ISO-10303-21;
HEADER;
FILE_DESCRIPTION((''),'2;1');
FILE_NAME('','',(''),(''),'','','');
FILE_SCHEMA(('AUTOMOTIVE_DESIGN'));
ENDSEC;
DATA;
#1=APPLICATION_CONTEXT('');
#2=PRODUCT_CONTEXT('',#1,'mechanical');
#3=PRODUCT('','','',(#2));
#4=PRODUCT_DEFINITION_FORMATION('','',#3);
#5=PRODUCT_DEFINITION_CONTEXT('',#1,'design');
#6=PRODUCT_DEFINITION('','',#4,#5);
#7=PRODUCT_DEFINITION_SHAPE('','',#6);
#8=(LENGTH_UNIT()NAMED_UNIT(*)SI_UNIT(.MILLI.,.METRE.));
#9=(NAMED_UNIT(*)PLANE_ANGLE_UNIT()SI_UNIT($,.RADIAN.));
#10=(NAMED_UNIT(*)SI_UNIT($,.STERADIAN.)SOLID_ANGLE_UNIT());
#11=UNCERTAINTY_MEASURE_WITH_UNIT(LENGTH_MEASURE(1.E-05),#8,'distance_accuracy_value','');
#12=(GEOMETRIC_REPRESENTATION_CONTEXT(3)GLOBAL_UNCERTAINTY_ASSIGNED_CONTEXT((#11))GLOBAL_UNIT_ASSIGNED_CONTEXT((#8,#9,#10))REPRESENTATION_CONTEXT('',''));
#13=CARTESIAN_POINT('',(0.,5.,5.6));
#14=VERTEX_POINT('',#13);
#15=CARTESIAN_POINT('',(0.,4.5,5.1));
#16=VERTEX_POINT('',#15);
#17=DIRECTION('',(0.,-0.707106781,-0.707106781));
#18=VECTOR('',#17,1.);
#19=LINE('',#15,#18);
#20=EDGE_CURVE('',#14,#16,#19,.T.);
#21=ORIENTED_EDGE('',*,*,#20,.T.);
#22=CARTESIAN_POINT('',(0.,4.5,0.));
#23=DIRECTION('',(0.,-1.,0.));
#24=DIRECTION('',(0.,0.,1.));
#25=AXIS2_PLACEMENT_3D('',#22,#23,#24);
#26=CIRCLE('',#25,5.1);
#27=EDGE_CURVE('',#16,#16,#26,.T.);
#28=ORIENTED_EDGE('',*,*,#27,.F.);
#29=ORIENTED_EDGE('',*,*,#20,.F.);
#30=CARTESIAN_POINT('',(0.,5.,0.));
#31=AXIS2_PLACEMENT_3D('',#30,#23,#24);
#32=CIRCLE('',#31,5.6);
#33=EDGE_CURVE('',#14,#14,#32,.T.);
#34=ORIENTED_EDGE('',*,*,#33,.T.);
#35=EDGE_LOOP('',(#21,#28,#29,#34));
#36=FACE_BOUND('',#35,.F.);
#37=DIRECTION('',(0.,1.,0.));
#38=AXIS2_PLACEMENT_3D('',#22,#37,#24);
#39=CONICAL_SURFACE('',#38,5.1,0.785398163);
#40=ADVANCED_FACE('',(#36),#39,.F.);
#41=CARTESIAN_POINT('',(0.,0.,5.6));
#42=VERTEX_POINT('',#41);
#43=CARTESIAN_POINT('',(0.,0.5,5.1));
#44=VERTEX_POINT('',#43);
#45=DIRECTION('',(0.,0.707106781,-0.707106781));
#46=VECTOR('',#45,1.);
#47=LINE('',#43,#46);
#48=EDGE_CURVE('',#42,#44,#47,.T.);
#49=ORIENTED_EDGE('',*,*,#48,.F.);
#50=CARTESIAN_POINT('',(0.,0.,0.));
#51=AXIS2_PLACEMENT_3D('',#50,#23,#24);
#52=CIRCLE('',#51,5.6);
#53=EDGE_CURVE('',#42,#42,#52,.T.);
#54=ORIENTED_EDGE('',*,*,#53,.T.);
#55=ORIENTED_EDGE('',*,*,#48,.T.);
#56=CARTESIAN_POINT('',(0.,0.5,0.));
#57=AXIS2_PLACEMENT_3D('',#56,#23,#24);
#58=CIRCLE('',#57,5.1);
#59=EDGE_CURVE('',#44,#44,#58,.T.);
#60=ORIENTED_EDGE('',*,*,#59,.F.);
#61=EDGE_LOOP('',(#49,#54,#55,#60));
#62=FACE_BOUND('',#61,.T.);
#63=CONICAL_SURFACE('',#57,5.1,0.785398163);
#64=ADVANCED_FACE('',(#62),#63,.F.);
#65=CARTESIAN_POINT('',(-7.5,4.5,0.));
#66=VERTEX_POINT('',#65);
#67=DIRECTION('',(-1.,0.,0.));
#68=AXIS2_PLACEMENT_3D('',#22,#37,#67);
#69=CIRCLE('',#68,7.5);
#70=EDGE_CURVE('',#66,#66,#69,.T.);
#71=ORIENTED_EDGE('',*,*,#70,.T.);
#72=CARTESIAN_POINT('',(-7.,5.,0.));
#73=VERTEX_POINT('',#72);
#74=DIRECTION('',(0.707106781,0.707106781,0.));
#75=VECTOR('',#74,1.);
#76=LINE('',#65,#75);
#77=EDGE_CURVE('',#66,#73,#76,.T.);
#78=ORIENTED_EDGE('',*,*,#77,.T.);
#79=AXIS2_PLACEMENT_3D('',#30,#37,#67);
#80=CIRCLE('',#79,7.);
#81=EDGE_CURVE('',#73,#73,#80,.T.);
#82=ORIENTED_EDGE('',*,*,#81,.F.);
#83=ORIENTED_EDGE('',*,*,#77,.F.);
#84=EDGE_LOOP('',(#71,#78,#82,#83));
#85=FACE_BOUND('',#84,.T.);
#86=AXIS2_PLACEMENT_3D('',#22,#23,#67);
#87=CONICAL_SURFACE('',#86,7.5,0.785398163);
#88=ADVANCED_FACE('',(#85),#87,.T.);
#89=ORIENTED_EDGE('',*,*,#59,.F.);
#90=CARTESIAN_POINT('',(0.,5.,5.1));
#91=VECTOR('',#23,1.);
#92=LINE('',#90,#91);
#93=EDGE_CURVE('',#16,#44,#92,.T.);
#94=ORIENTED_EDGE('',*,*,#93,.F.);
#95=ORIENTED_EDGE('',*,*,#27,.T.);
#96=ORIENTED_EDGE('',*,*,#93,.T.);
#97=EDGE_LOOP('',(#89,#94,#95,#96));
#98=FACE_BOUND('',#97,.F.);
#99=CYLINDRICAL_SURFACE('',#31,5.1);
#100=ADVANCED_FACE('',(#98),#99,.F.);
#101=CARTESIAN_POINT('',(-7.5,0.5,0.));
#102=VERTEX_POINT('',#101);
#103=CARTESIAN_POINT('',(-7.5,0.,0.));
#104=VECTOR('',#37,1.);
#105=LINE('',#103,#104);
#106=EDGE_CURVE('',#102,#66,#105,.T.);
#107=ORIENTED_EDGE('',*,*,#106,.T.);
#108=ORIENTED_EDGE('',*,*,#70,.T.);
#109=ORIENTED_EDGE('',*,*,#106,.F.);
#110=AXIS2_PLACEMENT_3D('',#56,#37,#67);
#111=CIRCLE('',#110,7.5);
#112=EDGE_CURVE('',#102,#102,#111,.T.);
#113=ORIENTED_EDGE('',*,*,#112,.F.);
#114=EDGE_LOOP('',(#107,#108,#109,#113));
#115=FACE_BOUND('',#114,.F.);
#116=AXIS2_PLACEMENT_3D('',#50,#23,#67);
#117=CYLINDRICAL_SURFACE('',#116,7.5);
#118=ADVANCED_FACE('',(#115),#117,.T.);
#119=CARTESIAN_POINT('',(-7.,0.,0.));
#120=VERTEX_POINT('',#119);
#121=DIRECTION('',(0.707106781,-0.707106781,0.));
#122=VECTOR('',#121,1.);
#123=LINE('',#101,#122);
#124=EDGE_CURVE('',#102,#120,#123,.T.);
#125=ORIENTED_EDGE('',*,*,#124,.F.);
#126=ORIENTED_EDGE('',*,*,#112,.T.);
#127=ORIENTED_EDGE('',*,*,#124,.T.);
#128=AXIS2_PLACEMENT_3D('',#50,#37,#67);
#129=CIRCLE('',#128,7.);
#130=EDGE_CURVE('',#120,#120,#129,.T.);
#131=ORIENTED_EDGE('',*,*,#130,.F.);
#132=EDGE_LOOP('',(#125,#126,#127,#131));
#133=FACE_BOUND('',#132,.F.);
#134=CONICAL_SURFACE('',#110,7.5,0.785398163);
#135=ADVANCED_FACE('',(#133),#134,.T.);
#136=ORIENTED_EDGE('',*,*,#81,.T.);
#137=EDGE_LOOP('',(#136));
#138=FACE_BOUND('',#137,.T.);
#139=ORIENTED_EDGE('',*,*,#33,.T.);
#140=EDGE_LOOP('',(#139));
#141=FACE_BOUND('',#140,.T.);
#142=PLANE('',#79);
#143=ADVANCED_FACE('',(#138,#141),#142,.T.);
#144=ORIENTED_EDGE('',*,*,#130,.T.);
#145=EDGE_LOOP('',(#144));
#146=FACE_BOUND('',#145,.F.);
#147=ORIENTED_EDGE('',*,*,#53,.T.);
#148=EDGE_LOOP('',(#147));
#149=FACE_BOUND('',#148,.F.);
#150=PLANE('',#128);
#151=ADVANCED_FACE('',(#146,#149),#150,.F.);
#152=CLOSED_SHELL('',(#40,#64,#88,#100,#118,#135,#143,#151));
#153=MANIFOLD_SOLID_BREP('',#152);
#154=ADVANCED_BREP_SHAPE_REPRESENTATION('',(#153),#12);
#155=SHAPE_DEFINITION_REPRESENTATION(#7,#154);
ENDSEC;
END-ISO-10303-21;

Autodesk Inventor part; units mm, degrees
ref_plane "YZ Plane" through (0, 0, 0) normal (1, 0, 0) x (0, 1, 0)
ref_plane "XZ Plane" through (0, 0, 0) normal (0, 1, 0) x (-1, 0, 0)
ref_plane "XY Plane" through (0, 0, 0) normal (0, 0, 1) x (1, 0, 0)
sketch "Sketch1" plane through (0, 0, 0) normal (0, 1, 0) x (-1, 0, 0)
  circle A0 centre (0, 0) radius 7.5
  dimension "d0" = 15
extrude "Extrusion1" add sketch "Sketch1" along normal blind 5
sketch "Sketch2" plane through (0, 5, 0) normal (0, 1, 0) x (1, 0, 0)
  point P0 (0, 0)
  point P1 (0, 0)
hole "Hole1" at (0, 5, 0) direction (0, -1, 0) diameter 10.2 end through all
chamfer "Chamfer1" distance 0.5 angle 45 4 edges at (7.5, 5, 0) (0, 5, -5.1) (0, 0, -5.1) (7.5, 0, 0)
properties part number "Case Bottom Ring"
